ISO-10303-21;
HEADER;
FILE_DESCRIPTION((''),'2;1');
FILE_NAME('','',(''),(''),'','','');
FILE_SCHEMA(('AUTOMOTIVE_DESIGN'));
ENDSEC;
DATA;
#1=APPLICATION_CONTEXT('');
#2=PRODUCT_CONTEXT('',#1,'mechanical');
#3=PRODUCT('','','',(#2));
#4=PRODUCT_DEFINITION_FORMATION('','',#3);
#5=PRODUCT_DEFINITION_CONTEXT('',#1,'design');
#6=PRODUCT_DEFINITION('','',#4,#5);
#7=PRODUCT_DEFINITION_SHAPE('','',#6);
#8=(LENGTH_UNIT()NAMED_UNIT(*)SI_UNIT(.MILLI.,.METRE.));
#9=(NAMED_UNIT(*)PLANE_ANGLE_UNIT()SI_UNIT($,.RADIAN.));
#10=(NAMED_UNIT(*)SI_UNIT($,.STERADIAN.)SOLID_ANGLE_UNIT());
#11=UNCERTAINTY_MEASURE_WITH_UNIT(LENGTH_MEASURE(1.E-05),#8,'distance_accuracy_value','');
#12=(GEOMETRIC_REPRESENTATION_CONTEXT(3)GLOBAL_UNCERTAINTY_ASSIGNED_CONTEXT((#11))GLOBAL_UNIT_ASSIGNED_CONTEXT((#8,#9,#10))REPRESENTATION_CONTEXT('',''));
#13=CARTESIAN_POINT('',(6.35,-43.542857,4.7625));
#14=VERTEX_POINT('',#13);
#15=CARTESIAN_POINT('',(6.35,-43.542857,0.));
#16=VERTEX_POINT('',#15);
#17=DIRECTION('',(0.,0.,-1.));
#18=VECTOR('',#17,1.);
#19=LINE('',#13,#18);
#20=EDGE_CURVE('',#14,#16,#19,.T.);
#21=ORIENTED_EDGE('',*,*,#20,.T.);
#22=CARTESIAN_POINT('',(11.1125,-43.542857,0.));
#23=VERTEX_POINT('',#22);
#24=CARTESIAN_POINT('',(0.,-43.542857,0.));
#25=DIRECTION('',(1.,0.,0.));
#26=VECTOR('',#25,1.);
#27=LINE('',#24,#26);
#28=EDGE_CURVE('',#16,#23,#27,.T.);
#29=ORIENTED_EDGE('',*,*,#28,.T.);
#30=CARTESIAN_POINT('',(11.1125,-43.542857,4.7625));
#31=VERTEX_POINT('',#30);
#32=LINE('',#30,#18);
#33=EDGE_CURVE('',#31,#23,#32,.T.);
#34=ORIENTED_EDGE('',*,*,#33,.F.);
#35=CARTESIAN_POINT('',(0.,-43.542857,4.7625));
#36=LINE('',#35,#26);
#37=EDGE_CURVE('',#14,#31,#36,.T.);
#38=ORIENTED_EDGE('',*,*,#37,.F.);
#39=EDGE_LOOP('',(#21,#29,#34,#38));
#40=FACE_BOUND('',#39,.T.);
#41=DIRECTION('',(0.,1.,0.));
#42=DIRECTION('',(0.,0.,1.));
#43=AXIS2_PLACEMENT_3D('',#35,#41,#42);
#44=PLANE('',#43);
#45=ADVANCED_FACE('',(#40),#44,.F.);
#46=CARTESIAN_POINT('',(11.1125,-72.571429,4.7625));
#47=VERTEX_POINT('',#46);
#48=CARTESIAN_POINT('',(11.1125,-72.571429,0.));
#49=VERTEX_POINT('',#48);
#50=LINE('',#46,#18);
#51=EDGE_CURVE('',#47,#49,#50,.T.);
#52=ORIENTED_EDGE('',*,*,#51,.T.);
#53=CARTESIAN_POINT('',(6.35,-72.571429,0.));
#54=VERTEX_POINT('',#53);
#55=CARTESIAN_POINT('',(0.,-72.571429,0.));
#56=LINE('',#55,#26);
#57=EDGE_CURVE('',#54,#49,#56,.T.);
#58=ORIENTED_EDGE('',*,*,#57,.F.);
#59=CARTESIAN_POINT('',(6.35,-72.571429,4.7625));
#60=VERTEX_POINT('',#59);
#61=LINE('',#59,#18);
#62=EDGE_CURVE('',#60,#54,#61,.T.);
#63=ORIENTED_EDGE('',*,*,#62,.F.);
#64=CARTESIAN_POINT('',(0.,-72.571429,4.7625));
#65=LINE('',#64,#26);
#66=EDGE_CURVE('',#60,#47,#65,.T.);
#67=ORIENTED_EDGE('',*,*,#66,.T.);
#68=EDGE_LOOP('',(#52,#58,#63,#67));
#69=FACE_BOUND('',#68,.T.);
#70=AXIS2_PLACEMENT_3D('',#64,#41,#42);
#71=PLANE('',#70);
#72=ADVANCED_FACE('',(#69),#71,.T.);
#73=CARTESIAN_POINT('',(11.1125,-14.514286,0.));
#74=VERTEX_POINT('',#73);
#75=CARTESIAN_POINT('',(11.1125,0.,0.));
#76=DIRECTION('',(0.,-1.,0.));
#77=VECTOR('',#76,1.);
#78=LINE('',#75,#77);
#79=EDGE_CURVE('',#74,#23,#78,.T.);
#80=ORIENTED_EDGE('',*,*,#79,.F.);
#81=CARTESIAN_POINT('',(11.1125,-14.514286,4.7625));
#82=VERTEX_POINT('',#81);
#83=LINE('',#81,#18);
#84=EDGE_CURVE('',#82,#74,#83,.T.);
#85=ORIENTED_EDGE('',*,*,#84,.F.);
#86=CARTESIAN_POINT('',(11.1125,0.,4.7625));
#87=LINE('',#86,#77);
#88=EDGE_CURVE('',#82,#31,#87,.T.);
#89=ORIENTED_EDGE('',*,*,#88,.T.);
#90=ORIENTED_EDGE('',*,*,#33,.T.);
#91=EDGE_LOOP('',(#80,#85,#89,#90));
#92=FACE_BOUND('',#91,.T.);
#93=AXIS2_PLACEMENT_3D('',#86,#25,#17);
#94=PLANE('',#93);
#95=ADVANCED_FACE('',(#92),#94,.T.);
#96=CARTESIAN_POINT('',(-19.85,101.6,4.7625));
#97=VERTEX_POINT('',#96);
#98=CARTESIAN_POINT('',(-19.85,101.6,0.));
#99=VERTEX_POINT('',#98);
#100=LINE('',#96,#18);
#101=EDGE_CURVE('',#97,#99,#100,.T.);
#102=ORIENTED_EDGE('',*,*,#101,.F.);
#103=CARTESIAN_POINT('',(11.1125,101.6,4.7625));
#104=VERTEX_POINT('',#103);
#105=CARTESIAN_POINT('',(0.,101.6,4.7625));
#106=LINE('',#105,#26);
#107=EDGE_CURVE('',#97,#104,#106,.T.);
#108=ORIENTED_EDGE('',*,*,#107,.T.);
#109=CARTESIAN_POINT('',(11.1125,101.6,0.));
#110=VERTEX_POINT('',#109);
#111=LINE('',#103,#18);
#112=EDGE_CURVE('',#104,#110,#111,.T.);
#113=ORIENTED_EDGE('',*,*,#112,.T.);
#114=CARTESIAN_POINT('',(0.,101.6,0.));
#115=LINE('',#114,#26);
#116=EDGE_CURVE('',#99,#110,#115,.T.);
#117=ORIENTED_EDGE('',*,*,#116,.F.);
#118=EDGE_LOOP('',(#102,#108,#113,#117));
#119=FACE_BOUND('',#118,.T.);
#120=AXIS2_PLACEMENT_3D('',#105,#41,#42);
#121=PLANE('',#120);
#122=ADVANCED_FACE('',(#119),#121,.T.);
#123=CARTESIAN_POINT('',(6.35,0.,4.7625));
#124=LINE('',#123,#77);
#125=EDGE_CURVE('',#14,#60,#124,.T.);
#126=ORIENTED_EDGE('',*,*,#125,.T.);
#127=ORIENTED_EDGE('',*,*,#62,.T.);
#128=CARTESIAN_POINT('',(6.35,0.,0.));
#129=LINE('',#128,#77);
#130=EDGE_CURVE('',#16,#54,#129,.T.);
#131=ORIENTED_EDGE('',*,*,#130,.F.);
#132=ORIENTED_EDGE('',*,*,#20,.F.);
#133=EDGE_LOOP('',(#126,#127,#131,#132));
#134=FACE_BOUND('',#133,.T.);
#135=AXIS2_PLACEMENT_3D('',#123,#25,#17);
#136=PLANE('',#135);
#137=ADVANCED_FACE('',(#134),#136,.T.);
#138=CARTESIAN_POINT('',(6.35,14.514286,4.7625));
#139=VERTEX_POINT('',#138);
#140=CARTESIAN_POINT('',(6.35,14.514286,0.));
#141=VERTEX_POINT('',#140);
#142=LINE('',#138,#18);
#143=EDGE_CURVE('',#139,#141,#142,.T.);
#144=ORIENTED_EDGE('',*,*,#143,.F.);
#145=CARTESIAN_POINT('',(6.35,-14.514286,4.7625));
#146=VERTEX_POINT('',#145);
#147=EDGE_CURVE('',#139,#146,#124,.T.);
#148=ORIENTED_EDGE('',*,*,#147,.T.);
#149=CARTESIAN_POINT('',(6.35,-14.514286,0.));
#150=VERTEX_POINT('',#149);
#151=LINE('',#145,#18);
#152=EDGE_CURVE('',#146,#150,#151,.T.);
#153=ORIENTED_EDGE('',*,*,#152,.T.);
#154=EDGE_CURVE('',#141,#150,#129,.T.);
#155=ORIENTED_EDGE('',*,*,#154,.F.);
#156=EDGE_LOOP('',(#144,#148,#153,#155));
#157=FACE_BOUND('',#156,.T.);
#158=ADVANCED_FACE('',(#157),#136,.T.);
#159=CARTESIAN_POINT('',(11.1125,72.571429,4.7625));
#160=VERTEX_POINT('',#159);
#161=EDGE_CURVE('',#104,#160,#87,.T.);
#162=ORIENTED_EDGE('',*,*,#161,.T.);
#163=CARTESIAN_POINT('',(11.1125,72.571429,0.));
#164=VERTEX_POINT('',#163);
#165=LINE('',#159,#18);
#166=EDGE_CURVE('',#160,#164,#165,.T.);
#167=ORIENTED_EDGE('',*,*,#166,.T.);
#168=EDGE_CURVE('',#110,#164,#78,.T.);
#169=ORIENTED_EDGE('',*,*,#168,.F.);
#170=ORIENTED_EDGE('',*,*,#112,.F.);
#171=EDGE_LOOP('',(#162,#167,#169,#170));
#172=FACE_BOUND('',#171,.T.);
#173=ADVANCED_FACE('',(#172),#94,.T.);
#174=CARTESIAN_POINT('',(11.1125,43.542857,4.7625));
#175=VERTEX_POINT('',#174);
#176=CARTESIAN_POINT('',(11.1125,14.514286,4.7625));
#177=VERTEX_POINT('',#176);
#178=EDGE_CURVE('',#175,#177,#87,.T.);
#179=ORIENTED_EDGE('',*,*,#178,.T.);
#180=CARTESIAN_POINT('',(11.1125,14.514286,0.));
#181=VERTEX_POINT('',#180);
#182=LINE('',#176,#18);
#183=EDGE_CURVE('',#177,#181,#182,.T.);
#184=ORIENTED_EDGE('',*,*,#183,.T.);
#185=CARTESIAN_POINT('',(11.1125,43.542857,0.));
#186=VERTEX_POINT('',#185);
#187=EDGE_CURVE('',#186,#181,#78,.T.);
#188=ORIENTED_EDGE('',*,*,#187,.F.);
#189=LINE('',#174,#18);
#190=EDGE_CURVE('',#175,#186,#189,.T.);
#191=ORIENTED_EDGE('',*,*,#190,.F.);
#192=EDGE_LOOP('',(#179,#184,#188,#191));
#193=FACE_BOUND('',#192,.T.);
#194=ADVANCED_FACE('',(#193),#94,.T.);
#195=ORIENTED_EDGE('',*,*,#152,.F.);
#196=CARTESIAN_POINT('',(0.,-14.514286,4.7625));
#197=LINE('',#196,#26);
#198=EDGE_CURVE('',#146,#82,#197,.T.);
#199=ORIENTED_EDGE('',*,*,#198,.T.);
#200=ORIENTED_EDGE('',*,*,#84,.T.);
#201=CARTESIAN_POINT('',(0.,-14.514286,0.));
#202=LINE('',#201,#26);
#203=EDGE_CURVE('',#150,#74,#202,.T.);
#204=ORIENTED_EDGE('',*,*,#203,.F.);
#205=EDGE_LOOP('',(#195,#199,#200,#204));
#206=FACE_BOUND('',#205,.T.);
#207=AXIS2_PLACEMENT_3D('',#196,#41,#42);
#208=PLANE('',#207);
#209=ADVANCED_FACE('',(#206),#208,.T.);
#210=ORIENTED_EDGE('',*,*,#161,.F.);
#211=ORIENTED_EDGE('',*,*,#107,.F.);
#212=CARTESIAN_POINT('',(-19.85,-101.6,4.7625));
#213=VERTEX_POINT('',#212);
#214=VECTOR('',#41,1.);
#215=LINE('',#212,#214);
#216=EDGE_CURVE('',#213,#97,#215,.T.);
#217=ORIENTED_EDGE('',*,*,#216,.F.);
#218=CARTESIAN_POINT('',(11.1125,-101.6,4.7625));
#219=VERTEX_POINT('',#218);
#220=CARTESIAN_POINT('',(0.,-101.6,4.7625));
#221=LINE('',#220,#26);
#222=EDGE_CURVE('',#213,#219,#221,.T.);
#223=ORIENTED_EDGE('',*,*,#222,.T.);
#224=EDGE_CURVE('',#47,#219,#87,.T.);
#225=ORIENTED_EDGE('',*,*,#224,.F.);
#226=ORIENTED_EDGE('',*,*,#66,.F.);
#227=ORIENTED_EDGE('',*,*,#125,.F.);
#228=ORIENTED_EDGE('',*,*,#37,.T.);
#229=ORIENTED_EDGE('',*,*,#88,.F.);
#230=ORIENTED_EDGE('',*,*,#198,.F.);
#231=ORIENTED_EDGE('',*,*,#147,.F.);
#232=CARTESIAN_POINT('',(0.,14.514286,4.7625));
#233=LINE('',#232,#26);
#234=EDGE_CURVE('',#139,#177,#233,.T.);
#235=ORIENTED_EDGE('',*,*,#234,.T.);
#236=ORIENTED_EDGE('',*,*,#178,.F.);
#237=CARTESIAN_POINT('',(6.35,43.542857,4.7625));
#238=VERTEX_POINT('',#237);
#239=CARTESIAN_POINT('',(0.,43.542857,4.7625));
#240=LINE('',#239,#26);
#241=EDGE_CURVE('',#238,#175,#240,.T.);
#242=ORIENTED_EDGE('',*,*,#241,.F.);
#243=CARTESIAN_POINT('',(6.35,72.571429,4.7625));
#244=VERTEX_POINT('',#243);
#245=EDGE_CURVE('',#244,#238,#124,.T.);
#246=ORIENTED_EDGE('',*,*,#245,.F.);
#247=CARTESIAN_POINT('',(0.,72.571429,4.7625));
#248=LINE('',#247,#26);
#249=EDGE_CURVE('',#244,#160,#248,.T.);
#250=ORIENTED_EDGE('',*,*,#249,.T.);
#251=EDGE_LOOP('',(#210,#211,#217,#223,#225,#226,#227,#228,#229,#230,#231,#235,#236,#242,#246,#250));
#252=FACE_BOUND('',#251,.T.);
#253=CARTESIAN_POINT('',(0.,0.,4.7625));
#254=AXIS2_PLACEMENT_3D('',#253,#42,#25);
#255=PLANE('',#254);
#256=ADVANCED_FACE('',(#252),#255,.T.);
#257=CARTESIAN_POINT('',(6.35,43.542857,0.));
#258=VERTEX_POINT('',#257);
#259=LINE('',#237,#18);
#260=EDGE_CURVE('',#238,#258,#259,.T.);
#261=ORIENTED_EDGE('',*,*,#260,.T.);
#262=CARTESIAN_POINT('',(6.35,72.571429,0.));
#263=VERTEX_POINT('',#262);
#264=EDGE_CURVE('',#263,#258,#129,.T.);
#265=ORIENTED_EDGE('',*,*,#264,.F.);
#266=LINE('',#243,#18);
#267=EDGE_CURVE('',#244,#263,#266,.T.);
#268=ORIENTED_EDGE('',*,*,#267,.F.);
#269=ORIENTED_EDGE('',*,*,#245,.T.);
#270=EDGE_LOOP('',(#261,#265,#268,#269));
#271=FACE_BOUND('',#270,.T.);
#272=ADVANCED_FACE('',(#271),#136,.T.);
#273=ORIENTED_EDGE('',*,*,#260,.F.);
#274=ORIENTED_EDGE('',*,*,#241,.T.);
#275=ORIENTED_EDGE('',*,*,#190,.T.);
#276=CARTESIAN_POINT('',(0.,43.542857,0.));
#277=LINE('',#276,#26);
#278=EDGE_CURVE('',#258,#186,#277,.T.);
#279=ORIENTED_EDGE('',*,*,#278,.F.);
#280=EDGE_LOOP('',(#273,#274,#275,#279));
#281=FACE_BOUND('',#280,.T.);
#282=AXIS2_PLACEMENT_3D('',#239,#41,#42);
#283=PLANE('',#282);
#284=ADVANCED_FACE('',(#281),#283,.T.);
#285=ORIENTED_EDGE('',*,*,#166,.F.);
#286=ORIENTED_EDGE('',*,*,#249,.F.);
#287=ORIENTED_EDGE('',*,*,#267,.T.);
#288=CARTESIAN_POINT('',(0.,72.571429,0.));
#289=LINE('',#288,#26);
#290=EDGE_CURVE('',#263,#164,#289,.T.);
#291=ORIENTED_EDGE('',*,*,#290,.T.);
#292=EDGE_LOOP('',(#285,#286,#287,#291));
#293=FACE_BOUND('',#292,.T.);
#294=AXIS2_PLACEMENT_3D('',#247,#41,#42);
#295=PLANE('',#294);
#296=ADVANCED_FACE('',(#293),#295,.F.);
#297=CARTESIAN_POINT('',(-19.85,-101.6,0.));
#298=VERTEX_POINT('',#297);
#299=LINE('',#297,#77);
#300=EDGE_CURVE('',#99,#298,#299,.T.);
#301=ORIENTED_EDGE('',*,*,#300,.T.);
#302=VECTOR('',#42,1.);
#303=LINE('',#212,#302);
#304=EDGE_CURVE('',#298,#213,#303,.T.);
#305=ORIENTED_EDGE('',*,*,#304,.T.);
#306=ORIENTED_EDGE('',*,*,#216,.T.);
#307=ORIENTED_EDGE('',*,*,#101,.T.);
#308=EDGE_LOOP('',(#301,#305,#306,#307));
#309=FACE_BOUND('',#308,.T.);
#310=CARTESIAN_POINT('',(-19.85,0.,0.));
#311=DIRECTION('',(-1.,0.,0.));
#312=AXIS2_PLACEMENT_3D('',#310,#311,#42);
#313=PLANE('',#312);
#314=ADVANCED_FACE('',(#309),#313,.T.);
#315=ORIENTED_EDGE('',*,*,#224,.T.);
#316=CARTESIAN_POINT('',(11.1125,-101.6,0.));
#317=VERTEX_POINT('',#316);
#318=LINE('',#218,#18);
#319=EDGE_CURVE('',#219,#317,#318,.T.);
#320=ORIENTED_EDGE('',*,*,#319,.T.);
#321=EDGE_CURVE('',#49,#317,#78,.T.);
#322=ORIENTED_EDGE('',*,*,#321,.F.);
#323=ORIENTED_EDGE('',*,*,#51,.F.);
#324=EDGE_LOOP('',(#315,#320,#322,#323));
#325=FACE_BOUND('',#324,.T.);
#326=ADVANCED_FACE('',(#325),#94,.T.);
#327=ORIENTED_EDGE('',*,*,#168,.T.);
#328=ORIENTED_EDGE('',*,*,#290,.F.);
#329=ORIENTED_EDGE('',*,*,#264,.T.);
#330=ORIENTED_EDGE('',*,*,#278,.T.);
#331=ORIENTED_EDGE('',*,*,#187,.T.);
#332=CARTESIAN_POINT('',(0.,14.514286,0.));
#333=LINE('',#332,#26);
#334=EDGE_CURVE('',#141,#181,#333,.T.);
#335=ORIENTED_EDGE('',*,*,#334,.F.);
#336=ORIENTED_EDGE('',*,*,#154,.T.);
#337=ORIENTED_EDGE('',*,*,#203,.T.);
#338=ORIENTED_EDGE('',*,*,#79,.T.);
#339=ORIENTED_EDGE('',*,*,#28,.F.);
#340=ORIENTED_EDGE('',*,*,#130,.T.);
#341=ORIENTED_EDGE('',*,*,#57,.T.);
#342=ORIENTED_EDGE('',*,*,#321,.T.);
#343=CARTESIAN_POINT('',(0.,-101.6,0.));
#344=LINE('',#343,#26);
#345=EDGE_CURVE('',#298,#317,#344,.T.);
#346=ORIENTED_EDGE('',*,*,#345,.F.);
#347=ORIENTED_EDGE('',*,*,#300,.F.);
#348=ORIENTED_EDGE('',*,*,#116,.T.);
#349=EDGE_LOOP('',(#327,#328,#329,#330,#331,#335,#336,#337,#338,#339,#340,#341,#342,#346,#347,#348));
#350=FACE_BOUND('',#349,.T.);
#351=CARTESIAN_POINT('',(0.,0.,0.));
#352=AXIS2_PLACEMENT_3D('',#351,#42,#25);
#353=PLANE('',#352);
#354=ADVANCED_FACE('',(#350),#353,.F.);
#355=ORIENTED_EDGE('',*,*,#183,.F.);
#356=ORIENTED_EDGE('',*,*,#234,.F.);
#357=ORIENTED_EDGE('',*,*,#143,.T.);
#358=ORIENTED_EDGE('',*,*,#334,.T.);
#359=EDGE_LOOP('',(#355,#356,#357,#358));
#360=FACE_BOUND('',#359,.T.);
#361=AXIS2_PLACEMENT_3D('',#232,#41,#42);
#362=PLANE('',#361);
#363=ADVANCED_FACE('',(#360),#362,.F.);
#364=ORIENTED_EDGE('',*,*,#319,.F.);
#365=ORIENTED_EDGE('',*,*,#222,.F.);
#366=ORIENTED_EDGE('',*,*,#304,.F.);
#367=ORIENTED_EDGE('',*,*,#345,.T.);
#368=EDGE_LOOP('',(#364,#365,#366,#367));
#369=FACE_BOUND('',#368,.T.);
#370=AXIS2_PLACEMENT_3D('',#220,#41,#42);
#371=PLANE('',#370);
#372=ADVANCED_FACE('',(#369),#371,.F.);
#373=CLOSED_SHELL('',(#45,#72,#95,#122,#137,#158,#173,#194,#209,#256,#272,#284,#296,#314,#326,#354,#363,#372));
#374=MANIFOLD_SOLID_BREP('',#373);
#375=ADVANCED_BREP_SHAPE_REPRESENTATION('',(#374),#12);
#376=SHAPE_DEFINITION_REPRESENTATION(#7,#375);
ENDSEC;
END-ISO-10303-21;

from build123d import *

# Parameters (mm, degrees)
SKETCH1_W           = 6.35
SKETCH1_H           = 203.2
SKETCH1_W_2         = 4.7625
SKETCH1_H_2         = 29.028571429
BOSS_EXTRUDE1_DEPTH = 4.7625
SKETCH2_W           = 4.7625
SKETCH2_H           = 203.2
BOSS_EXTRUDE2_DEPTH = 13.5


with BuildPart() as part:
    # Sketch1 → Boss-Extrude1 (new body)
    with BuildSketch(Plane.XY):
        with Locations((-3.175, 0)):
            Rectangle(SKETCH1_W, SKETCH1_H)
        Polygon((6.35, 101.6), (0, 101.6), (0, -101.6), (6.35, -101.6), (6.35, -72.571428571), (6.35, -43.542857143), (6.35, -14.514285714), (6.35, 14.514285714), (6.35, 43.542857143), (6.35, 72.571428571), align=None)
        with Locations((8.73125, 87.085714286)):
            Rectangle(SKETCH1_W_2, SKETCH1_H_2)
        with Locations((8.73125, 29.028571429)):
            Rectangle(SKETCH1_W_2, SKETCH1_H_2)
        with Locations((8.73125, -29.028571429)):
            Rectangle(SKETCH1_W_2, SKETCH1_H_2)
        with Locations((8.73125, -87.085714286)):
            Rectangle(SKETCH1_W_2, SKETCH1_H_2)
    extrude(amount=BOSS_EXTRUDE1_DEPTH)

    # Sketch2 → Boss-Extrude2 (add)
    with BuildSketch(Plane.ZY.offset(6.35)):
        with Locations((2.38125, 0)):
            Rectangle(SKETCH2_W, SKETCH2_H)
    extrude(amount=BOSS_EXTRUDE2_DEPTH)


solid = part.part
